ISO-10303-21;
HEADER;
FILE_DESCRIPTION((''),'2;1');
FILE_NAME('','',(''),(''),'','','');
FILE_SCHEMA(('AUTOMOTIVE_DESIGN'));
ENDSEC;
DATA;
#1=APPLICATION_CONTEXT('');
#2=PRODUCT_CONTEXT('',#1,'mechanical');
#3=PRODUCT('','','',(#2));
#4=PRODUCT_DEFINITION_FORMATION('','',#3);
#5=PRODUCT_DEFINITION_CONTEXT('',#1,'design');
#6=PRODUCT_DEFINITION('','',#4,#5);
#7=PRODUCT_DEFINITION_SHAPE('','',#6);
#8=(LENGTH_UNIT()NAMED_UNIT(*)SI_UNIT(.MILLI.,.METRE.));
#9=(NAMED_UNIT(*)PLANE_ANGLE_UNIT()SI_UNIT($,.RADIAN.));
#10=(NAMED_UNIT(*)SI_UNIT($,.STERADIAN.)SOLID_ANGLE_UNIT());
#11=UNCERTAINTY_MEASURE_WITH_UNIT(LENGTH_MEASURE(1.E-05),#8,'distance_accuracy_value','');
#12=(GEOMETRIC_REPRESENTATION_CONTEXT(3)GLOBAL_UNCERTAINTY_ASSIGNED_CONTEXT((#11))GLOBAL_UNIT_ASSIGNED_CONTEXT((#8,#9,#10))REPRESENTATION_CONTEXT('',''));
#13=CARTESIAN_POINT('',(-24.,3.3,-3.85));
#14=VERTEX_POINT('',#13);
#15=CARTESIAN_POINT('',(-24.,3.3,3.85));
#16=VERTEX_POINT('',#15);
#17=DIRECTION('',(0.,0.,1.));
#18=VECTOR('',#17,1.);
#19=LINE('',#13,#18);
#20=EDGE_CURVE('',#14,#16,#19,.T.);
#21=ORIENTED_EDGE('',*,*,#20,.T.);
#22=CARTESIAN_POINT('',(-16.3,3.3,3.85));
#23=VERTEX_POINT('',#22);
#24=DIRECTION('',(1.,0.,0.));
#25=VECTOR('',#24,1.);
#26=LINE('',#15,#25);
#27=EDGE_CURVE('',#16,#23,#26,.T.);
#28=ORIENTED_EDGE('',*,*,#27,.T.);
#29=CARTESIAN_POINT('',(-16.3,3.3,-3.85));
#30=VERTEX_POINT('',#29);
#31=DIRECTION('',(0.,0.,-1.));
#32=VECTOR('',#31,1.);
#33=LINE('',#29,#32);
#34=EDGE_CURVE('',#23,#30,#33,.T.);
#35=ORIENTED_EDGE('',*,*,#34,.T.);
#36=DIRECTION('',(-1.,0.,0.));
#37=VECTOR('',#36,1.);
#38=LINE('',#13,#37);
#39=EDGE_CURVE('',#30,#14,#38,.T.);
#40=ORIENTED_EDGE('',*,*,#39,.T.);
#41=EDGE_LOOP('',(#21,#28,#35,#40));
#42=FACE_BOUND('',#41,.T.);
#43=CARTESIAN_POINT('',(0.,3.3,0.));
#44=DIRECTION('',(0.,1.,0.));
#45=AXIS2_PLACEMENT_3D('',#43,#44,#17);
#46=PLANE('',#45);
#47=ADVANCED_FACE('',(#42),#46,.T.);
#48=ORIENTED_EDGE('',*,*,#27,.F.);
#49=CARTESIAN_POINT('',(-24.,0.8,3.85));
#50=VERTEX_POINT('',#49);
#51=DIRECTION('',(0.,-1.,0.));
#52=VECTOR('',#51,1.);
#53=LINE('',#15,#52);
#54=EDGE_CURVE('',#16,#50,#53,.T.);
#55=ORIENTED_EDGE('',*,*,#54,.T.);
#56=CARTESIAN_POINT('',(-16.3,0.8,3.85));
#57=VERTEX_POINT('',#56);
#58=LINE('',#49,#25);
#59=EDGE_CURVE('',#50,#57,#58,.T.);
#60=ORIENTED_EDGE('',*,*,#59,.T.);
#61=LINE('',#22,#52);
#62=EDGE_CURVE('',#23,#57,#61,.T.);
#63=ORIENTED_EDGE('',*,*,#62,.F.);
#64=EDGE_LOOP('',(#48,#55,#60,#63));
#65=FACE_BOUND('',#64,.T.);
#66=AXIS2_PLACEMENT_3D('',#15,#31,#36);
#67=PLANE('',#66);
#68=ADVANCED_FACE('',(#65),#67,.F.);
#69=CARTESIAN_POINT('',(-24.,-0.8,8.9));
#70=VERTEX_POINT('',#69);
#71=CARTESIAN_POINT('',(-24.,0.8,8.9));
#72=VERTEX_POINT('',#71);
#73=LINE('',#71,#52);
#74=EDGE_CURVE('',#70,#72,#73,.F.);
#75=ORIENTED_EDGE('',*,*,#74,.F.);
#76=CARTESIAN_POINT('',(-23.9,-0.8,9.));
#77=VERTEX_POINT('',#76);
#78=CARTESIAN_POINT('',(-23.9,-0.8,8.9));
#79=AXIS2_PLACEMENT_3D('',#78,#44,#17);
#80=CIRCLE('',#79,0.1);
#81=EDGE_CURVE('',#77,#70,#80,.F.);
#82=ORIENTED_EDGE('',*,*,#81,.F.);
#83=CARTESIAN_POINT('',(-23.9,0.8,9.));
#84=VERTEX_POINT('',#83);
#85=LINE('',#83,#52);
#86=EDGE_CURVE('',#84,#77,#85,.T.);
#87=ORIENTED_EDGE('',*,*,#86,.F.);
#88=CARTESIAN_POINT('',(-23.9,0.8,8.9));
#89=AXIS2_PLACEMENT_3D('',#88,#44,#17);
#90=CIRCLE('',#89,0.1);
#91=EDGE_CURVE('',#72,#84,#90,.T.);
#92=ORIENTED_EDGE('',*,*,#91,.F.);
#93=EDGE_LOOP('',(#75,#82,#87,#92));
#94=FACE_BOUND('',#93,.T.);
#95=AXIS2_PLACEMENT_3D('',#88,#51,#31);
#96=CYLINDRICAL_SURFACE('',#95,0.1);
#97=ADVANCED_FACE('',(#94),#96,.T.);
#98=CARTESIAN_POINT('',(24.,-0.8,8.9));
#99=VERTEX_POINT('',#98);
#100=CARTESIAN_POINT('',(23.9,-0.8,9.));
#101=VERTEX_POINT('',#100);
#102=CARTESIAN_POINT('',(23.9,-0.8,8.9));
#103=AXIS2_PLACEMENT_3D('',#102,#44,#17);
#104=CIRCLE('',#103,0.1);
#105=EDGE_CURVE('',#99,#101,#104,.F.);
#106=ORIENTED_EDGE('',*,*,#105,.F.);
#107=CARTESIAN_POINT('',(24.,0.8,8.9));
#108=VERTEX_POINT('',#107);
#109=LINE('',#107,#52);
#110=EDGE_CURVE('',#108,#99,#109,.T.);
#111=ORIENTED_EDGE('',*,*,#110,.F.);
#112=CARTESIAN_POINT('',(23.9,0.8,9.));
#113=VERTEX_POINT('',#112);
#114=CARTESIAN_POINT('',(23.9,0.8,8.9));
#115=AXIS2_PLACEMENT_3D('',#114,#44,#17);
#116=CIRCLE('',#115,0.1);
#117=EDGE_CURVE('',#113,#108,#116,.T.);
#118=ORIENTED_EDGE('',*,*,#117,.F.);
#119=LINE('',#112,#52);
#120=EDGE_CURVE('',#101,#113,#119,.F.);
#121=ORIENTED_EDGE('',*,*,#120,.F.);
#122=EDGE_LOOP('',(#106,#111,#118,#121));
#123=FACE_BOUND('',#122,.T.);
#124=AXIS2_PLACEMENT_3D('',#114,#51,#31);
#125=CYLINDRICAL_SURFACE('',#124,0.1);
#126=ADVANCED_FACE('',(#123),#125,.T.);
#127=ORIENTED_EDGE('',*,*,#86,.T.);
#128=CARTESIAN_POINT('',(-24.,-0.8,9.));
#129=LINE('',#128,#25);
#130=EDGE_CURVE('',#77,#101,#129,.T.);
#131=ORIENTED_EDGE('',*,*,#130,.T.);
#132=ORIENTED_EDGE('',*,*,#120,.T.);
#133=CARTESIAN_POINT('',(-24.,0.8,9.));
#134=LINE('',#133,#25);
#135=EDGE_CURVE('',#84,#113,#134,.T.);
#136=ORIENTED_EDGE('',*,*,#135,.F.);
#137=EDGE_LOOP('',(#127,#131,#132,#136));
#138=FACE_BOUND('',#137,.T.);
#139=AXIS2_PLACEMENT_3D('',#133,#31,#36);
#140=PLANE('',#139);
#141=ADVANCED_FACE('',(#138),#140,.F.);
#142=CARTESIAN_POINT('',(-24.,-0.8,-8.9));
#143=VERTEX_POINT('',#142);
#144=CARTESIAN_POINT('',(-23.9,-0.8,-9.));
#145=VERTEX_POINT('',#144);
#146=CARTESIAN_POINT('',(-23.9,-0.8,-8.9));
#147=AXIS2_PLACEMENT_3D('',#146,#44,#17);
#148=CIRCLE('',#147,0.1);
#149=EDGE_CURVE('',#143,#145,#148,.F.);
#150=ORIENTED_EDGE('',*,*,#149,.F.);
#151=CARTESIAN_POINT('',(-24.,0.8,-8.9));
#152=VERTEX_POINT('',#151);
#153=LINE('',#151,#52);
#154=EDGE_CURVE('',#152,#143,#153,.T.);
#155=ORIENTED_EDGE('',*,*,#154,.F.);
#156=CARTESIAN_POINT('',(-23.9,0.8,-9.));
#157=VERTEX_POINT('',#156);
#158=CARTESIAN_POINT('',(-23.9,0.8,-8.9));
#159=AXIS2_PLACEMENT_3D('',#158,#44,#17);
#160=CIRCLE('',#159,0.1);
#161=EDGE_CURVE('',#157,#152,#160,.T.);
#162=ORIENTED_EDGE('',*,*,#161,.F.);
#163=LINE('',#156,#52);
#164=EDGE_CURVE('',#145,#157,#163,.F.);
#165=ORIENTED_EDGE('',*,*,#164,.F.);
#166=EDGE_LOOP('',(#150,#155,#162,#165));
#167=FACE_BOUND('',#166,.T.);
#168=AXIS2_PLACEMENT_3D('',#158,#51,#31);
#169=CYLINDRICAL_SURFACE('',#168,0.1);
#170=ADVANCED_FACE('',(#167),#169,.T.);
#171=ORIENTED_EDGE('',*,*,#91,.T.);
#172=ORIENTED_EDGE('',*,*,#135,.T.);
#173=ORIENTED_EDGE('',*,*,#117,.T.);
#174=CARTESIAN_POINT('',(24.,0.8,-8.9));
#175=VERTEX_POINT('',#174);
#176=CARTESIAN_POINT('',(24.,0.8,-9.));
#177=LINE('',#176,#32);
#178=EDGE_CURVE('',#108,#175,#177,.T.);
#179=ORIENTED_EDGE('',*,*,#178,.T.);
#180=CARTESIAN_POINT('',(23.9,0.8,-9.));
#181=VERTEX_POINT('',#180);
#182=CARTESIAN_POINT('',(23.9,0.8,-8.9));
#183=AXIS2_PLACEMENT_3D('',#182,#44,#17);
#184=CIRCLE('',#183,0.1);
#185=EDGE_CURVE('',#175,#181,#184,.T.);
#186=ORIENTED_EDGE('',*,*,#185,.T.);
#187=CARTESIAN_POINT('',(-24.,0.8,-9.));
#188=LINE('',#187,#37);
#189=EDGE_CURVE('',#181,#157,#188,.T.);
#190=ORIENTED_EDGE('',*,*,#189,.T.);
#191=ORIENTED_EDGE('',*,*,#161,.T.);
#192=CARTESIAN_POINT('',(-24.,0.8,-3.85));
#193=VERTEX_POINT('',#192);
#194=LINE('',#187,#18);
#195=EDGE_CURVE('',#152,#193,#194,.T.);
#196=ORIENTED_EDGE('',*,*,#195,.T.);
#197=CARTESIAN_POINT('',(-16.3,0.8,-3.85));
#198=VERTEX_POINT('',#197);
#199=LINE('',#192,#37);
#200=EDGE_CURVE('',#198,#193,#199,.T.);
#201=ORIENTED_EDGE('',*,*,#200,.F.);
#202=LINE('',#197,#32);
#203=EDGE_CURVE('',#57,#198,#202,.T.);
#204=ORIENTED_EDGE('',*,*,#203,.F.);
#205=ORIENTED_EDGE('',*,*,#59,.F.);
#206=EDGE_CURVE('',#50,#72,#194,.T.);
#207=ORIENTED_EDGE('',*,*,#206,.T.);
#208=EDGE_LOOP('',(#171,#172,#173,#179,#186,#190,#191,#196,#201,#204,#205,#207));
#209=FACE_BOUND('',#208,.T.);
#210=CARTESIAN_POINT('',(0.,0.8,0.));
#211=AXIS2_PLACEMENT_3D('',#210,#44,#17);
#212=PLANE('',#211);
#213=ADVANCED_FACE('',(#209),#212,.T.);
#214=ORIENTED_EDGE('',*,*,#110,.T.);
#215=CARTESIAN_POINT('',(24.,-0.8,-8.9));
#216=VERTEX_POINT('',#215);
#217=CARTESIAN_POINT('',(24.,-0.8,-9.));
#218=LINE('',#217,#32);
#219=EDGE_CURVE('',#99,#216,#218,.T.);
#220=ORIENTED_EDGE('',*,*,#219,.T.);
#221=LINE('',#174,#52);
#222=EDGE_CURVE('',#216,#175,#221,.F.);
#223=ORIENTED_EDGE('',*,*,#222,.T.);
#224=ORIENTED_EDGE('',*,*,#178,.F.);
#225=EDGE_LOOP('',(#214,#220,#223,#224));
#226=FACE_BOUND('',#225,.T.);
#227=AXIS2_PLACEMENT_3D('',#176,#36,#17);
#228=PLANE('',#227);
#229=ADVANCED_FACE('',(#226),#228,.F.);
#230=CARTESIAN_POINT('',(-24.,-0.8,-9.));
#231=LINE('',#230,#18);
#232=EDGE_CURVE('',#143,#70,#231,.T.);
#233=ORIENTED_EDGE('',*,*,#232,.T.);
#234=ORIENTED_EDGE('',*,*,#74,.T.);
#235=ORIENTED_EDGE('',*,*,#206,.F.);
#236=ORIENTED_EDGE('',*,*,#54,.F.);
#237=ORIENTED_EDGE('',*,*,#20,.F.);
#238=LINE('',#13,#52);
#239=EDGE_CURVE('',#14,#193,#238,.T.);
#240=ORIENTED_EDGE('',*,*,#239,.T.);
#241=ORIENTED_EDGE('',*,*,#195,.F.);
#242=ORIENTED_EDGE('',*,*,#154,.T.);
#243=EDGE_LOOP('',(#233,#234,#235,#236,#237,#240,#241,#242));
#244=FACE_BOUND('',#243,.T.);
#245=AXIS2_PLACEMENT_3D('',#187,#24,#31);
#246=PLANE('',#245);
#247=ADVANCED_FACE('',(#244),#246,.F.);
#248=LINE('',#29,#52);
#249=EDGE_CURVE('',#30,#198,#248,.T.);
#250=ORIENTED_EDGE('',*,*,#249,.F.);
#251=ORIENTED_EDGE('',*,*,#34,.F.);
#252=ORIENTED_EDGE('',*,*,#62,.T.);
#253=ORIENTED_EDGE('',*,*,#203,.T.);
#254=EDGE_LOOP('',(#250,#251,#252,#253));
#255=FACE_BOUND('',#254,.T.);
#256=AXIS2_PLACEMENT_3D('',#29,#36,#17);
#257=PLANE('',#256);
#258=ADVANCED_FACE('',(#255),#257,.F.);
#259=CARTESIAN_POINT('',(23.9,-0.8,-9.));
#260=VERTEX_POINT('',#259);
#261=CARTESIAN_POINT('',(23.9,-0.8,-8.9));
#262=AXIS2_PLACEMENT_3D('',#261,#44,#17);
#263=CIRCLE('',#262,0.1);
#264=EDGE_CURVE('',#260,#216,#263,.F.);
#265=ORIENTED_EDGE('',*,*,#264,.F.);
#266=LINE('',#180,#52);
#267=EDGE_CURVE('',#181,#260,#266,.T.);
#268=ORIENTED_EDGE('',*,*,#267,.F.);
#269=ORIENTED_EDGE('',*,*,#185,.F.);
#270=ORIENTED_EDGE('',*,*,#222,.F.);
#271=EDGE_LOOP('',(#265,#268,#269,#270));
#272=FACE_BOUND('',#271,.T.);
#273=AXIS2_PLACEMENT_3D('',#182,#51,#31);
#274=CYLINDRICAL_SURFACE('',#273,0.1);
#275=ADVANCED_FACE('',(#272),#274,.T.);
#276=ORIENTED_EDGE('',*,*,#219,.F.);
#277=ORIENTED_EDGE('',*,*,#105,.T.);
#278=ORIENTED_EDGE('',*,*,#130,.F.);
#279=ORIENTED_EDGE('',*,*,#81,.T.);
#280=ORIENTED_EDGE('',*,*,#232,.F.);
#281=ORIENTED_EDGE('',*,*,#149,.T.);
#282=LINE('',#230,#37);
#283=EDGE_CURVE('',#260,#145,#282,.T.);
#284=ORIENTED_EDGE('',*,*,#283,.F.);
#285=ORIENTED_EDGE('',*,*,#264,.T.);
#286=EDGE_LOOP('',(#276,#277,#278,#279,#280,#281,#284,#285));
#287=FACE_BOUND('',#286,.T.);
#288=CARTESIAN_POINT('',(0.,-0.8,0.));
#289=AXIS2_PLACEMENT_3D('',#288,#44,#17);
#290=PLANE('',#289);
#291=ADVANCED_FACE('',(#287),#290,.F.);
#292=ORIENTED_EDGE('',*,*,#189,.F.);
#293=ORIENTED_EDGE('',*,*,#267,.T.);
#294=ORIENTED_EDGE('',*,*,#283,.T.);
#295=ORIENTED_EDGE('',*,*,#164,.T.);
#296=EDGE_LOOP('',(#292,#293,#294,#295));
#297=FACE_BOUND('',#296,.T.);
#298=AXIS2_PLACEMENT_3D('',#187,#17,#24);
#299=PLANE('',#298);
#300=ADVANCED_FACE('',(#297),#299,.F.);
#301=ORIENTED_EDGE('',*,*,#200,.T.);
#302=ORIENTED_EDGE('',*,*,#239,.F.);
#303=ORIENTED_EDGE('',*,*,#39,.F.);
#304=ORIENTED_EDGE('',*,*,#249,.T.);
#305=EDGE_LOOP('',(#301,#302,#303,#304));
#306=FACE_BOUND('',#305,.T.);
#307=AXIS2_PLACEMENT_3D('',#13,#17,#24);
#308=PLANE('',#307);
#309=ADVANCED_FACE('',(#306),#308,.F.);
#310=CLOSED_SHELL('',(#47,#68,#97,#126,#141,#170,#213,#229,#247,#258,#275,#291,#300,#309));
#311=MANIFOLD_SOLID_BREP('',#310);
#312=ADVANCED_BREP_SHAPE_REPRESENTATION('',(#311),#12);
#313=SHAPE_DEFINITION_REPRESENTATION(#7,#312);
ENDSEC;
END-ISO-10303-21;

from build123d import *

# Parameters (mm, degrees)
SKETCH1_W           = 48
SKETCH1_H           = 18
BOSS_EXTRUDE1_DEPTH = 0.8
FILLET1_R           = 0.1
SKETCH3_W           = 7.7
SKETCH3_H           = 7.7
BOSS_EXTRUDE2_DEPTH = 2.5


with BuildPart() as part:
    # Sketch1 → Boss-Extrude1 (new, symmetric)
    with BuildSketch(Plane(origin=(0, 0, 0), x_dir=(1, 0, 0), z_dir=(0, 1, 0))):
        Rectangle(SKETCH1_W, SKETCH1_H)
    extrude(amount=BOSS_EXTRUDE1_DEPTH, both=True)

    # Fillet1
    fillet1_edges = [part.edges().sort_by_distance(p)[0] for p in [
        (24, 0, 9),
        (-24, 0, 9),
        (-24, 0, -9),
        (24, 0, -9),
    ]]
    fillet(fillet1_edges, radius=FILLET1_R)

    # Sketch3 → Boss-Extrude2 (add)
    with BuildSketch(Plane(origin=(0, 0.8, 0), x_dir=(1, 0, 0), z_dir=(0, 1, 0))):
        with Locations((-20.15, 0)):
            Rectangle(SKETCH3_W, SKETCH3_H)
    extrude(amount=BOSS_EXTRUDE2_DEPTH)


solid = part.part
